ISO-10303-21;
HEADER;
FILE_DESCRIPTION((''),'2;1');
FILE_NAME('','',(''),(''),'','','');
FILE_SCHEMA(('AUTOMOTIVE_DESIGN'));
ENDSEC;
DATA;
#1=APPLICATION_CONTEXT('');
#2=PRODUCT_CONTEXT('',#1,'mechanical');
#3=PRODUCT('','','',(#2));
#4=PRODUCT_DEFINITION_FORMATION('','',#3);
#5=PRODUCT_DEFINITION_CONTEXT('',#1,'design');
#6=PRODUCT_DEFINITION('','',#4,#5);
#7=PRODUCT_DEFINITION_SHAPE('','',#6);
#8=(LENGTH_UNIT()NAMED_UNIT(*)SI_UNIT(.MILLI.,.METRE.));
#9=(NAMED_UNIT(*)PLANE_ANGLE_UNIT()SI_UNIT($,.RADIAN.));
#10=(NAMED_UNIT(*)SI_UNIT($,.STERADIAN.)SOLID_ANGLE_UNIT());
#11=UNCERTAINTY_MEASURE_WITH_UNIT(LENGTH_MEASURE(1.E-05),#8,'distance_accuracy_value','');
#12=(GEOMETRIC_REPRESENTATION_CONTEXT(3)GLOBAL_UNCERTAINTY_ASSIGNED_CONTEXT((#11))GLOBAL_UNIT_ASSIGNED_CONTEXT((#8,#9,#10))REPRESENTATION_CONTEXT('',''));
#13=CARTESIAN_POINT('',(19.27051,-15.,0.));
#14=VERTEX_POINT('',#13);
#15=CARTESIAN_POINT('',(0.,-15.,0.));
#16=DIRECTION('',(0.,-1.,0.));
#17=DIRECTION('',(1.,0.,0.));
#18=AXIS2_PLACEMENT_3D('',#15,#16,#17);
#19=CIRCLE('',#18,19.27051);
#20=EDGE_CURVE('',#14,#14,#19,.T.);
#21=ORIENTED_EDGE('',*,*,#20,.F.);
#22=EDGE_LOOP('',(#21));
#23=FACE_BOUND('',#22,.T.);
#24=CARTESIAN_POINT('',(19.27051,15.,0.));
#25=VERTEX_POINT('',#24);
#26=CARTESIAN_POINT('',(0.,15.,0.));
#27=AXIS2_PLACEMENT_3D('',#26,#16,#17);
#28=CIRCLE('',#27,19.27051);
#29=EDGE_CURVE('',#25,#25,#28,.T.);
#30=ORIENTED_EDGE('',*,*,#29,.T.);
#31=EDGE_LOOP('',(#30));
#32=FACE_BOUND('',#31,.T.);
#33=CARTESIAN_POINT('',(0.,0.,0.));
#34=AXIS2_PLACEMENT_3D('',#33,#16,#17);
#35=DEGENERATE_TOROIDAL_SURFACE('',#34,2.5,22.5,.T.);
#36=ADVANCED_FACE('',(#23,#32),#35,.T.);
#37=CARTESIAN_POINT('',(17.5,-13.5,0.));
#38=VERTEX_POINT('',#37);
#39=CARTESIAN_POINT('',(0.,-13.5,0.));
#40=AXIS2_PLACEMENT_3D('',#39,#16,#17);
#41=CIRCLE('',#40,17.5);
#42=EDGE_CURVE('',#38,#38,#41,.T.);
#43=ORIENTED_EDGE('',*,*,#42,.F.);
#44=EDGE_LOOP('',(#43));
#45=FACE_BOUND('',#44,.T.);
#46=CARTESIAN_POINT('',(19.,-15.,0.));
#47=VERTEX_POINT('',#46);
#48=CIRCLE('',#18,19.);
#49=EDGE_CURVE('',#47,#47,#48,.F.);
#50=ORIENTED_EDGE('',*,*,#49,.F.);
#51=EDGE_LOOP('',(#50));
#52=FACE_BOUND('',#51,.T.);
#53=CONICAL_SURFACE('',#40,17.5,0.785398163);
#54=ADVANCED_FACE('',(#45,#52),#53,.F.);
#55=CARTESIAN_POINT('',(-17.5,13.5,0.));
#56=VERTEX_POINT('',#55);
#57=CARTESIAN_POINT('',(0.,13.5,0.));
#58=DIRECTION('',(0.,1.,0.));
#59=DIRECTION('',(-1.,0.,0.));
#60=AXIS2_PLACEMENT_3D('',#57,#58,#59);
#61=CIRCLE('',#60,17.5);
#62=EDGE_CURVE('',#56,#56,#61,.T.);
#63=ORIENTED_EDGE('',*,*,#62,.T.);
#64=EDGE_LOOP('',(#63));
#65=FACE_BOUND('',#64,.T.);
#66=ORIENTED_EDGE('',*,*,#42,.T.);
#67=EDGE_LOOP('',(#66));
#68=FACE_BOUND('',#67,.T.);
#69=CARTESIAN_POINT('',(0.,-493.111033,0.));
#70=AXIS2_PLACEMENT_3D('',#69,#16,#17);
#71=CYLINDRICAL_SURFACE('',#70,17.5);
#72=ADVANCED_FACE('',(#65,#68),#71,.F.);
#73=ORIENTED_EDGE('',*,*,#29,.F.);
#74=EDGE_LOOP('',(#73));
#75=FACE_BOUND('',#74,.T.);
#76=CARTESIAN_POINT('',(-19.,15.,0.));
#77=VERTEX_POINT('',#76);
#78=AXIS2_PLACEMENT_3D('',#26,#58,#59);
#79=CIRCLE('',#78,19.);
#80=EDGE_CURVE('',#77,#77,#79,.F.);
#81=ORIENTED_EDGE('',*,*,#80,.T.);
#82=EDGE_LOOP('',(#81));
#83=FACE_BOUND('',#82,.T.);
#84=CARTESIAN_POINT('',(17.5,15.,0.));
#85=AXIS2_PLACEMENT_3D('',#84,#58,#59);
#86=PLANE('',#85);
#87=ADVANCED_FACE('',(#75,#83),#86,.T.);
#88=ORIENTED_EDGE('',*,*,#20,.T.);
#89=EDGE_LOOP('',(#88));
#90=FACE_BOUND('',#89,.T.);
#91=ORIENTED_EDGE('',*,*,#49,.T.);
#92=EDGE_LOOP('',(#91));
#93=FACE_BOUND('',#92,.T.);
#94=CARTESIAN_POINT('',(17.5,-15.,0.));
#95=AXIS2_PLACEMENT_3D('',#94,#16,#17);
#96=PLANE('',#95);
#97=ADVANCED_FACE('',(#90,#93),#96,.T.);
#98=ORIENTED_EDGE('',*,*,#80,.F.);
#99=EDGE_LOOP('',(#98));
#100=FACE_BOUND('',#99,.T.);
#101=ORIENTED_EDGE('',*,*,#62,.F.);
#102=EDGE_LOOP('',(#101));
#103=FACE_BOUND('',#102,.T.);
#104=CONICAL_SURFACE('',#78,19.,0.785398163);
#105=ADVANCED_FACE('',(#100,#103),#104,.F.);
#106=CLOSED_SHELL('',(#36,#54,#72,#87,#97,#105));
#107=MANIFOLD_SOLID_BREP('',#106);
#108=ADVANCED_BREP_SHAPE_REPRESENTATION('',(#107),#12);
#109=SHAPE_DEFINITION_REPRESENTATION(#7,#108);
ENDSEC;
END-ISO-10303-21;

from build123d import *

# Parameters (mm, degrees)
CHAMFER1_SIZE = 1.5


with BuildPart() as part:
    # Sketch1 → Revolve1 (revolve)
    with BuildSketch(Plane.XY):
        with BuildLine():
            Line((17.5, 15), (17.5, -15))
            Line((17.5, -15), (19.270509831, -15))
            ThreePointArc((19.270509831, -15), (25, 0), (19.270509831, 15))
            Line((19.270509831, 15), (17.5, 15))
        make_face()
    revolve(axis=Axis((0, -493.111033268, 0), (0, 1, 0)))

    # Chamfer1
    chamfer1_edges = [part.edges().sort_by_distance(p)[0] for p in [
        (-17.5, 15, 0),
        (-17.5, -15, 0),
    ]]
    chamfer(chamfer1_edges, length=CHAMFER1_SIZE)


solid = part.part
